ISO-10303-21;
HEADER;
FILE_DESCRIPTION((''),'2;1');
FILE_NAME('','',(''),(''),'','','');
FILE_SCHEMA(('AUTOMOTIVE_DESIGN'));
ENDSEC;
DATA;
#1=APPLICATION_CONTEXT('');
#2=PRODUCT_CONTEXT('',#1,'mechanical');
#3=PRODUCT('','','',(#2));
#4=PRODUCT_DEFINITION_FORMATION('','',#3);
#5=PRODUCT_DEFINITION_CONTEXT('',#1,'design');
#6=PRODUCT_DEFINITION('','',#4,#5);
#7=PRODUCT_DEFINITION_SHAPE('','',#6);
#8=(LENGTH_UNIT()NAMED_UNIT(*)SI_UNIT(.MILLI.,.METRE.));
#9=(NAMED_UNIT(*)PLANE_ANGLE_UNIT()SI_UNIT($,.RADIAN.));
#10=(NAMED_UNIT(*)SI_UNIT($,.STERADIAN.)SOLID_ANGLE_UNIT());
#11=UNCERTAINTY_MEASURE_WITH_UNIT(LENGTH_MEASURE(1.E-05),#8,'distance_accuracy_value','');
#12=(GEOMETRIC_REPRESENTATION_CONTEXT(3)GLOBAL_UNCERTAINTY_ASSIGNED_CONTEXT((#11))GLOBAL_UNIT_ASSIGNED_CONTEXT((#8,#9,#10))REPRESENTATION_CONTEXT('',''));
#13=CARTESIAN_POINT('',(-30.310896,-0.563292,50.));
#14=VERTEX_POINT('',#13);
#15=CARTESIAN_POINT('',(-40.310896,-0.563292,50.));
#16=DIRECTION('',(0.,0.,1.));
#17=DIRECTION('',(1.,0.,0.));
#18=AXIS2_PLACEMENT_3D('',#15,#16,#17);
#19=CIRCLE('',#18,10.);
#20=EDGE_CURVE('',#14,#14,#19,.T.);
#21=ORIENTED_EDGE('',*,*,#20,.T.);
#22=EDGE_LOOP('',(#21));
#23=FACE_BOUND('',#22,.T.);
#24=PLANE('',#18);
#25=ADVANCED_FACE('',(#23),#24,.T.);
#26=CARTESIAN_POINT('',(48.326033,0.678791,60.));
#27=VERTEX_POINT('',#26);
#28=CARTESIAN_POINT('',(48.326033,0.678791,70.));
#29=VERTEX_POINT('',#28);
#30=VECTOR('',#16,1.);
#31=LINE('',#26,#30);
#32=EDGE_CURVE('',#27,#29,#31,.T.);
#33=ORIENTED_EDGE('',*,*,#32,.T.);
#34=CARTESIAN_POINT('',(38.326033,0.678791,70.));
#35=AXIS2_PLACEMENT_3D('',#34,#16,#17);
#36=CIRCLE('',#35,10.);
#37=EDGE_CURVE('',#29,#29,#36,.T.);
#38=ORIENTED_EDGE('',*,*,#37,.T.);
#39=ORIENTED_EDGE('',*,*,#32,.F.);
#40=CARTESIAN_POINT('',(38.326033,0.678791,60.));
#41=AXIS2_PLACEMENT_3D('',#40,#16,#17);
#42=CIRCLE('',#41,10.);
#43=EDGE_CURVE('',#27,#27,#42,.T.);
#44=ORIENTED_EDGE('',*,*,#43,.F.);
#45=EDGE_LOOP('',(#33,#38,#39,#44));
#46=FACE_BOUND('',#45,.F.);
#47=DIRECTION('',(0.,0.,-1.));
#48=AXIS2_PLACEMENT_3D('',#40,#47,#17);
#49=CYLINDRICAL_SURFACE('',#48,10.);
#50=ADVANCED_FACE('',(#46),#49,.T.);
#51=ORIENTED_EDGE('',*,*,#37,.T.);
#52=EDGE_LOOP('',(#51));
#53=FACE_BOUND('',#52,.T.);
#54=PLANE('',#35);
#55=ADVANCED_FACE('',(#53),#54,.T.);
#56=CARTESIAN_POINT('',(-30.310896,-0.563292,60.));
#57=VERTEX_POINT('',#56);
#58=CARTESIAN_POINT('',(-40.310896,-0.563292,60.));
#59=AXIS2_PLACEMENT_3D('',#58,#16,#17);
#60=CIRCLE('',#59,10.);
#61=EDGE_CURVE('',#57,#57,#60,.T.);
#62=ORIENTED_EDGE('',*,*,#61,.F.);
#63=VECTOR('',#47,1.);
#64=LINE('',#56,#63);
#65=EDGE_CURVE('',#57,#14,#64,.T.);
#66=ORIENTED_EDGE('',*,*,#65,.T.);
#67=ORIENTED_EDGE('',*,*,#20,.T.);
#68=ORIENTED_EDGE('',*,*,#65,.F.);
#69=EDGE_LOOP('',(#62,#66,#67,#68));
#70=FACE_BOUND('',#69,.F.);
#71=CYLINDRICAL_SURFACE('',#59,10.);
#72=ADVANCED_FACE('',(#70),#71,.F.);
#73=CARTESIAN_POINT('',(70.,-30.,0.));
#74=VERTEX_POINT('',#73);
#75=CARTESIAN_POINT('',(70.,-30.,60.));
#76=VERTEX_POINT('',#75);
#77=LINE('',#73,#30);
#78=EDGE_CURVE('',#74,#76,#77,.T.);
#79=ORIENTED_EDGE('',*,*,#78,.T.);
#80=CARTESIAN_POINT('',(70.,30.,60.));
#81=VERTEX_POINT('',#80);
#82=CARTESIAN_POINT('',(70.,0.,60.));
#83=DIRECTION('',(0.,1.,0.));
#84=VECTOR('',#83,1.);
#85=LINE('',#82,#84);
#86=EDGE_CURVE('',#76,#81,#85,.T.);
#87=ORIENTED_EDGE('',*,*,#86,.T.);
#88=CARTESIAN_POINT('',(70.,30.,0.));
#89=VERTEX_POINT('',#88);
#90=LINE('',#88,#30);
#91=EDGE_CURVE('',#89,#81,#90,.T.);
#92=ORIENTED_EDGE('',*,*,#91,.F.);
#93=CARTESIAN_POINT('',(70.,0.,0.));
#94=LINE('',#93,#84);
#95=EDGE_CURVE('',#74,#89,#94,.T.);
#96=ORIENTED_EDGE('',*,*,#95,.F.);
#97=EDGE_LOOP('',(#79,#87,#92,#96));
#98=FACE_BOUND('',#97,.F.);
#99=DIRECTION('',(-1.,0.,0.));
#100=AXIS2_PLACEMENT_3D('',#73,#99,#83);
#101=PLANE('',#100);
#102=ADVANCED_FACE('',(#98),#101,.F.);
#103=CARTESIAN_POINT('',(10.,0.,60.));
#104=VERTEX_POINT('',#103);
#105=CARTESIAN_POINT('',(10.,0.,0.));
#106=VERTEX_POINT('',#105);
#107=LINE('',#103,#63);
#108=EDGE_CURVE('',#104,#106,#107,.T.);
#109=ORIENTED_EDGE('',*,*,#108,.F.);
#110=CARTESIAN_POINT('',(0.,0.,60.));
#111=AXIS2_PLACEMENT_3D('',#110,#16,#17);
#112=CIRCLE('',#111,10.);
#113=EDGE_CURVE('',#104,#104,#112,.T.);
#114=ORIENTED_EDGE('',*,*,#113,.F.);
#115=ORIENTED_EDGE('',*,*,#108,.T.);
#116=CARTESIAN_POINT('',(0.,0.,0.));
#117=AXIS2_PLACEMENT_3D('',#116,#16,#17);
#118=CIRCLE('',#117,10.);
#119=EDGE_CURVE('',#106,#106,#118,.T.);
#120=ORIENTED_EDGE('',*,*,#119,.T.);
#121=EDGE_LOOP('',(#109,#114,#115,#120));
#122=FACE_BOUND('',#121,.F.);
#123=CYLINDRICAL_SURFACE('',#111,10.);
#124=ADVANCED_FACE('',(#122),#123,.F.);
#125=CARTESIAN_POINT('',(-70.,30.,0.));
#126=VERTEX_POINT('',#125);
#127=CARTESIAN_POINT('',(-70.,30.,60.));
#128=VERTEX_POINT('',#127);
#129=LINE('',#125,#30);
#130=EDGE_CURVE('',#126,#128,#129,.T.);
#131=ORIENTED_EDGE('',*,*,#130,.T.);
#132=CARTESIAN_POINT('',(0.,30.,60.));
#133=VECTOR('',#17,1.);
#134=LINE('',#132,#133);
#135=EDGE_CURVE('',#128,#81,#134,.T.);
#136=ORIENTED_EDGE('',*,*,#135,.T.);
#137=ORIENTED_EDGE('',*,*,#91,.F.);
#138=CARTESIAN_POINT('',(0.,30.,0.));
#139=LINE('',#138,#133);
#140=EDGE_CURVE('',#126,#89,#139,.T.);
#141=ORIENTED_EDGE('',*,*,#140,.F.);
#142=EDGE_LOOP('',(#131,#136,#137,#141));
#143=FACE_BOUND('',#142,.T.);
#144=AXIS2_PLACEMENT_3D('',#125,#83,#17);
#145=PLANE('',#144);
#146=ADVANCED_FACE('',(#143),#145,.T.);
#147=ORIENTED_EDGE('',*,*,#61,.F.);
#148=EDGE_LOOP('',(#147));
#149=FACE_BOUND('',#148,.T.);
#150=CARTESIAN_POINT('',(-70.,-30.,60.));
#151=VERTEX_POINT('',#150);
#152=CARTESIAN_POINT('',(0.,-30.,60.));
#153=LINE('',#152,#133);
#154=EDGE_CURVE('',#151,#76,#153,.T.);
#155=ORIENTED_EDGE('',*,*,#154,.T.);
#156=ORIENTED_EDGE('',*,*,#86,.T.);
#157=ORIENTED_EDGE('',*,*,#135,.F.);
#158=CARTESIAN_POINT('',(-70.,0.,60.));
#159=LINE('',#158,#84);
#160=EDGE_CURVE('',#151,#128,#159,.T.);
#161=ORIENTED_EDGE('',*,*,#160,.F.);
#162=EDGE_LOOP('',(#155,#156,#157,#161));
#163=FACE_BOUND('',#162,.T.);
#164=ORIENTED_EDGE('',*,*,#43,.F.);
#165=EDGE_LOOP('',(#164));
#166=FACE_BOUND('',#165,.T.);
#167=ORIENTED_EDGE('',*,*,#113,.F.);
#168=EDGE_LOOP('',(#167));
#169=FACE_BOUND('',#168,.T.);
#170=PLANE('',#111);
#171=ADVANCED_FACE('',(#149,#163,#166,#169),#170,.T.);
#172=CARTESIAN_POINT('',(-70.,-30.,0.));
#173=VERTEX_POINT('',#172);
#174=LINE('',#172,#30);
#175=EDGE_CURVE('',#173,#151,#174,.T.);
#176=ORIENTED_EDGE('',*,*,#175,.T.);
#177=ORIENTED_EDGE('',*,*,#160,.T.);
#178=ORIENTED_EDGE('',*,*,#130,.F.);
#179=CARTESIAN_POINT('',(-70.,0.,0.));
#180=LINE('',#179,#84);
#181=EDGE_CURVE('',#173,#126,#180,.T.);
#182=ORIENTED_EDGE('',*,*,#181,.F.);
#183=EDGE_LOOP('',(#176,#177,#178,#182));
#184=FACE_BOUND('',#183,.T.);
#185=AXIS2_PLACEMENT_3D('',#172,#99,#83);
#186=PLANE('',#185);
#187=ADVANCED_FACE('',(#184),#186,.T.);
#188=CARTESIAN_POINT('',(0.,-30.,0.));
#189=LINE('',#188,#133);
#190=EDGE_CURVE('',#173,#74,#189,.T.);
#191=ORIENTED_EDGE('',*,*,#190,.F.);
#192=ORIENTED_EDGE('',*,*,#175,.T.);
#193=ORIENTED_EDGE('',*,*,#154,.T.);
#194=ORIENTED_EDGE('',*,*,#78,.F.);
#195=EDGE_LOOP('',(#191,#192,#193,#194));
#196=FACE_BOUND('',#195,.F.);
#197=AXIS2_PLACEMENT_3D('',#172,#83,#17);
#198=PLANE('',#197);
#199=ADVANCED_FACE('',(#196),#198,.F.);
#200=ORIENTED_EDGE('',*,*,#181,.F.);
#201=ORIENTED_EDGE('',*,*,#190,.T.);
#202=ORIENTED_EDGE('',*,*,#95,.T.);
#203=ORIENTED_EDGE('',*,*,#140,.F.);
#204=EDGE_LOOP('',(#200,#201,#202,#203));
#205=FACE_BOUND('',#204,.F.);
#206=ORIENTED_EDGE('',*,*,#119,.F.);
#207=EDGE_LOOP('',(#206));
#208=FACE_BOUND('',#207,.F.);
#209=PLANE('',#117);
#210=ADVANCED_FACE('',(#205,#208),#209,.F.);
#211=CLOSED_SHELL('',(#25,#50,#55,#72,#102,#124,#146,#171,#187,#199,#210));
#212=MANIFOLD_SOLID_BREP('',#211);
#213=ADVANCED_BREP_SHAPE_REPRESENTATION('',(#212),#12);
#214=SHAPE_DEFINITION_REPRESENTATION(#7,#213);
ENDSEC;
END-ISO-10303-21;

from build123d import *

# Parameters (mm, degrees)
F0_W     = 140
F0_H     = 60
F1_DEPTH = 60
F5_R     = 10
F6_DEPTH = 10
F4_R     = 10
F7_DEPTH = 105.8
F3_R     = 10
F8_DEPTH = 10


with BuildPart() as f1:
    # F0 (on Top) → F1 (new body)
    with BuildSketch(Plane.XY):
        Rectangle(F0_W, F0_H)
    extrude(amount=F1_DEPTH)

    # F5 (on face) → F6 (join)
    with BuildSketch(Plane.XY.offset(60)):
        with Locations((38.326033, 0.678791)):
            Circle(F5_R)
    extrude(amount=F6_DEPTH)

    # F4 (on face) → F7 (cut)
    with BuildSketch(Plane.XY.offset(60)):
        Circle(F4_R)
    extrude(amount=-F7_DEPTH, mode=Mode.SUBTRACT)

    # F3 (on face) → F8 (cut)
    with BuildSketch(Plane.XY.offset(60)):
        with Locations((-40.310896, -0.563292)):
            Circle(F3_R)
    extrude(amount=-F8_DEPTH, mode=Mode.SUBTRACT)


solid = f1.part
